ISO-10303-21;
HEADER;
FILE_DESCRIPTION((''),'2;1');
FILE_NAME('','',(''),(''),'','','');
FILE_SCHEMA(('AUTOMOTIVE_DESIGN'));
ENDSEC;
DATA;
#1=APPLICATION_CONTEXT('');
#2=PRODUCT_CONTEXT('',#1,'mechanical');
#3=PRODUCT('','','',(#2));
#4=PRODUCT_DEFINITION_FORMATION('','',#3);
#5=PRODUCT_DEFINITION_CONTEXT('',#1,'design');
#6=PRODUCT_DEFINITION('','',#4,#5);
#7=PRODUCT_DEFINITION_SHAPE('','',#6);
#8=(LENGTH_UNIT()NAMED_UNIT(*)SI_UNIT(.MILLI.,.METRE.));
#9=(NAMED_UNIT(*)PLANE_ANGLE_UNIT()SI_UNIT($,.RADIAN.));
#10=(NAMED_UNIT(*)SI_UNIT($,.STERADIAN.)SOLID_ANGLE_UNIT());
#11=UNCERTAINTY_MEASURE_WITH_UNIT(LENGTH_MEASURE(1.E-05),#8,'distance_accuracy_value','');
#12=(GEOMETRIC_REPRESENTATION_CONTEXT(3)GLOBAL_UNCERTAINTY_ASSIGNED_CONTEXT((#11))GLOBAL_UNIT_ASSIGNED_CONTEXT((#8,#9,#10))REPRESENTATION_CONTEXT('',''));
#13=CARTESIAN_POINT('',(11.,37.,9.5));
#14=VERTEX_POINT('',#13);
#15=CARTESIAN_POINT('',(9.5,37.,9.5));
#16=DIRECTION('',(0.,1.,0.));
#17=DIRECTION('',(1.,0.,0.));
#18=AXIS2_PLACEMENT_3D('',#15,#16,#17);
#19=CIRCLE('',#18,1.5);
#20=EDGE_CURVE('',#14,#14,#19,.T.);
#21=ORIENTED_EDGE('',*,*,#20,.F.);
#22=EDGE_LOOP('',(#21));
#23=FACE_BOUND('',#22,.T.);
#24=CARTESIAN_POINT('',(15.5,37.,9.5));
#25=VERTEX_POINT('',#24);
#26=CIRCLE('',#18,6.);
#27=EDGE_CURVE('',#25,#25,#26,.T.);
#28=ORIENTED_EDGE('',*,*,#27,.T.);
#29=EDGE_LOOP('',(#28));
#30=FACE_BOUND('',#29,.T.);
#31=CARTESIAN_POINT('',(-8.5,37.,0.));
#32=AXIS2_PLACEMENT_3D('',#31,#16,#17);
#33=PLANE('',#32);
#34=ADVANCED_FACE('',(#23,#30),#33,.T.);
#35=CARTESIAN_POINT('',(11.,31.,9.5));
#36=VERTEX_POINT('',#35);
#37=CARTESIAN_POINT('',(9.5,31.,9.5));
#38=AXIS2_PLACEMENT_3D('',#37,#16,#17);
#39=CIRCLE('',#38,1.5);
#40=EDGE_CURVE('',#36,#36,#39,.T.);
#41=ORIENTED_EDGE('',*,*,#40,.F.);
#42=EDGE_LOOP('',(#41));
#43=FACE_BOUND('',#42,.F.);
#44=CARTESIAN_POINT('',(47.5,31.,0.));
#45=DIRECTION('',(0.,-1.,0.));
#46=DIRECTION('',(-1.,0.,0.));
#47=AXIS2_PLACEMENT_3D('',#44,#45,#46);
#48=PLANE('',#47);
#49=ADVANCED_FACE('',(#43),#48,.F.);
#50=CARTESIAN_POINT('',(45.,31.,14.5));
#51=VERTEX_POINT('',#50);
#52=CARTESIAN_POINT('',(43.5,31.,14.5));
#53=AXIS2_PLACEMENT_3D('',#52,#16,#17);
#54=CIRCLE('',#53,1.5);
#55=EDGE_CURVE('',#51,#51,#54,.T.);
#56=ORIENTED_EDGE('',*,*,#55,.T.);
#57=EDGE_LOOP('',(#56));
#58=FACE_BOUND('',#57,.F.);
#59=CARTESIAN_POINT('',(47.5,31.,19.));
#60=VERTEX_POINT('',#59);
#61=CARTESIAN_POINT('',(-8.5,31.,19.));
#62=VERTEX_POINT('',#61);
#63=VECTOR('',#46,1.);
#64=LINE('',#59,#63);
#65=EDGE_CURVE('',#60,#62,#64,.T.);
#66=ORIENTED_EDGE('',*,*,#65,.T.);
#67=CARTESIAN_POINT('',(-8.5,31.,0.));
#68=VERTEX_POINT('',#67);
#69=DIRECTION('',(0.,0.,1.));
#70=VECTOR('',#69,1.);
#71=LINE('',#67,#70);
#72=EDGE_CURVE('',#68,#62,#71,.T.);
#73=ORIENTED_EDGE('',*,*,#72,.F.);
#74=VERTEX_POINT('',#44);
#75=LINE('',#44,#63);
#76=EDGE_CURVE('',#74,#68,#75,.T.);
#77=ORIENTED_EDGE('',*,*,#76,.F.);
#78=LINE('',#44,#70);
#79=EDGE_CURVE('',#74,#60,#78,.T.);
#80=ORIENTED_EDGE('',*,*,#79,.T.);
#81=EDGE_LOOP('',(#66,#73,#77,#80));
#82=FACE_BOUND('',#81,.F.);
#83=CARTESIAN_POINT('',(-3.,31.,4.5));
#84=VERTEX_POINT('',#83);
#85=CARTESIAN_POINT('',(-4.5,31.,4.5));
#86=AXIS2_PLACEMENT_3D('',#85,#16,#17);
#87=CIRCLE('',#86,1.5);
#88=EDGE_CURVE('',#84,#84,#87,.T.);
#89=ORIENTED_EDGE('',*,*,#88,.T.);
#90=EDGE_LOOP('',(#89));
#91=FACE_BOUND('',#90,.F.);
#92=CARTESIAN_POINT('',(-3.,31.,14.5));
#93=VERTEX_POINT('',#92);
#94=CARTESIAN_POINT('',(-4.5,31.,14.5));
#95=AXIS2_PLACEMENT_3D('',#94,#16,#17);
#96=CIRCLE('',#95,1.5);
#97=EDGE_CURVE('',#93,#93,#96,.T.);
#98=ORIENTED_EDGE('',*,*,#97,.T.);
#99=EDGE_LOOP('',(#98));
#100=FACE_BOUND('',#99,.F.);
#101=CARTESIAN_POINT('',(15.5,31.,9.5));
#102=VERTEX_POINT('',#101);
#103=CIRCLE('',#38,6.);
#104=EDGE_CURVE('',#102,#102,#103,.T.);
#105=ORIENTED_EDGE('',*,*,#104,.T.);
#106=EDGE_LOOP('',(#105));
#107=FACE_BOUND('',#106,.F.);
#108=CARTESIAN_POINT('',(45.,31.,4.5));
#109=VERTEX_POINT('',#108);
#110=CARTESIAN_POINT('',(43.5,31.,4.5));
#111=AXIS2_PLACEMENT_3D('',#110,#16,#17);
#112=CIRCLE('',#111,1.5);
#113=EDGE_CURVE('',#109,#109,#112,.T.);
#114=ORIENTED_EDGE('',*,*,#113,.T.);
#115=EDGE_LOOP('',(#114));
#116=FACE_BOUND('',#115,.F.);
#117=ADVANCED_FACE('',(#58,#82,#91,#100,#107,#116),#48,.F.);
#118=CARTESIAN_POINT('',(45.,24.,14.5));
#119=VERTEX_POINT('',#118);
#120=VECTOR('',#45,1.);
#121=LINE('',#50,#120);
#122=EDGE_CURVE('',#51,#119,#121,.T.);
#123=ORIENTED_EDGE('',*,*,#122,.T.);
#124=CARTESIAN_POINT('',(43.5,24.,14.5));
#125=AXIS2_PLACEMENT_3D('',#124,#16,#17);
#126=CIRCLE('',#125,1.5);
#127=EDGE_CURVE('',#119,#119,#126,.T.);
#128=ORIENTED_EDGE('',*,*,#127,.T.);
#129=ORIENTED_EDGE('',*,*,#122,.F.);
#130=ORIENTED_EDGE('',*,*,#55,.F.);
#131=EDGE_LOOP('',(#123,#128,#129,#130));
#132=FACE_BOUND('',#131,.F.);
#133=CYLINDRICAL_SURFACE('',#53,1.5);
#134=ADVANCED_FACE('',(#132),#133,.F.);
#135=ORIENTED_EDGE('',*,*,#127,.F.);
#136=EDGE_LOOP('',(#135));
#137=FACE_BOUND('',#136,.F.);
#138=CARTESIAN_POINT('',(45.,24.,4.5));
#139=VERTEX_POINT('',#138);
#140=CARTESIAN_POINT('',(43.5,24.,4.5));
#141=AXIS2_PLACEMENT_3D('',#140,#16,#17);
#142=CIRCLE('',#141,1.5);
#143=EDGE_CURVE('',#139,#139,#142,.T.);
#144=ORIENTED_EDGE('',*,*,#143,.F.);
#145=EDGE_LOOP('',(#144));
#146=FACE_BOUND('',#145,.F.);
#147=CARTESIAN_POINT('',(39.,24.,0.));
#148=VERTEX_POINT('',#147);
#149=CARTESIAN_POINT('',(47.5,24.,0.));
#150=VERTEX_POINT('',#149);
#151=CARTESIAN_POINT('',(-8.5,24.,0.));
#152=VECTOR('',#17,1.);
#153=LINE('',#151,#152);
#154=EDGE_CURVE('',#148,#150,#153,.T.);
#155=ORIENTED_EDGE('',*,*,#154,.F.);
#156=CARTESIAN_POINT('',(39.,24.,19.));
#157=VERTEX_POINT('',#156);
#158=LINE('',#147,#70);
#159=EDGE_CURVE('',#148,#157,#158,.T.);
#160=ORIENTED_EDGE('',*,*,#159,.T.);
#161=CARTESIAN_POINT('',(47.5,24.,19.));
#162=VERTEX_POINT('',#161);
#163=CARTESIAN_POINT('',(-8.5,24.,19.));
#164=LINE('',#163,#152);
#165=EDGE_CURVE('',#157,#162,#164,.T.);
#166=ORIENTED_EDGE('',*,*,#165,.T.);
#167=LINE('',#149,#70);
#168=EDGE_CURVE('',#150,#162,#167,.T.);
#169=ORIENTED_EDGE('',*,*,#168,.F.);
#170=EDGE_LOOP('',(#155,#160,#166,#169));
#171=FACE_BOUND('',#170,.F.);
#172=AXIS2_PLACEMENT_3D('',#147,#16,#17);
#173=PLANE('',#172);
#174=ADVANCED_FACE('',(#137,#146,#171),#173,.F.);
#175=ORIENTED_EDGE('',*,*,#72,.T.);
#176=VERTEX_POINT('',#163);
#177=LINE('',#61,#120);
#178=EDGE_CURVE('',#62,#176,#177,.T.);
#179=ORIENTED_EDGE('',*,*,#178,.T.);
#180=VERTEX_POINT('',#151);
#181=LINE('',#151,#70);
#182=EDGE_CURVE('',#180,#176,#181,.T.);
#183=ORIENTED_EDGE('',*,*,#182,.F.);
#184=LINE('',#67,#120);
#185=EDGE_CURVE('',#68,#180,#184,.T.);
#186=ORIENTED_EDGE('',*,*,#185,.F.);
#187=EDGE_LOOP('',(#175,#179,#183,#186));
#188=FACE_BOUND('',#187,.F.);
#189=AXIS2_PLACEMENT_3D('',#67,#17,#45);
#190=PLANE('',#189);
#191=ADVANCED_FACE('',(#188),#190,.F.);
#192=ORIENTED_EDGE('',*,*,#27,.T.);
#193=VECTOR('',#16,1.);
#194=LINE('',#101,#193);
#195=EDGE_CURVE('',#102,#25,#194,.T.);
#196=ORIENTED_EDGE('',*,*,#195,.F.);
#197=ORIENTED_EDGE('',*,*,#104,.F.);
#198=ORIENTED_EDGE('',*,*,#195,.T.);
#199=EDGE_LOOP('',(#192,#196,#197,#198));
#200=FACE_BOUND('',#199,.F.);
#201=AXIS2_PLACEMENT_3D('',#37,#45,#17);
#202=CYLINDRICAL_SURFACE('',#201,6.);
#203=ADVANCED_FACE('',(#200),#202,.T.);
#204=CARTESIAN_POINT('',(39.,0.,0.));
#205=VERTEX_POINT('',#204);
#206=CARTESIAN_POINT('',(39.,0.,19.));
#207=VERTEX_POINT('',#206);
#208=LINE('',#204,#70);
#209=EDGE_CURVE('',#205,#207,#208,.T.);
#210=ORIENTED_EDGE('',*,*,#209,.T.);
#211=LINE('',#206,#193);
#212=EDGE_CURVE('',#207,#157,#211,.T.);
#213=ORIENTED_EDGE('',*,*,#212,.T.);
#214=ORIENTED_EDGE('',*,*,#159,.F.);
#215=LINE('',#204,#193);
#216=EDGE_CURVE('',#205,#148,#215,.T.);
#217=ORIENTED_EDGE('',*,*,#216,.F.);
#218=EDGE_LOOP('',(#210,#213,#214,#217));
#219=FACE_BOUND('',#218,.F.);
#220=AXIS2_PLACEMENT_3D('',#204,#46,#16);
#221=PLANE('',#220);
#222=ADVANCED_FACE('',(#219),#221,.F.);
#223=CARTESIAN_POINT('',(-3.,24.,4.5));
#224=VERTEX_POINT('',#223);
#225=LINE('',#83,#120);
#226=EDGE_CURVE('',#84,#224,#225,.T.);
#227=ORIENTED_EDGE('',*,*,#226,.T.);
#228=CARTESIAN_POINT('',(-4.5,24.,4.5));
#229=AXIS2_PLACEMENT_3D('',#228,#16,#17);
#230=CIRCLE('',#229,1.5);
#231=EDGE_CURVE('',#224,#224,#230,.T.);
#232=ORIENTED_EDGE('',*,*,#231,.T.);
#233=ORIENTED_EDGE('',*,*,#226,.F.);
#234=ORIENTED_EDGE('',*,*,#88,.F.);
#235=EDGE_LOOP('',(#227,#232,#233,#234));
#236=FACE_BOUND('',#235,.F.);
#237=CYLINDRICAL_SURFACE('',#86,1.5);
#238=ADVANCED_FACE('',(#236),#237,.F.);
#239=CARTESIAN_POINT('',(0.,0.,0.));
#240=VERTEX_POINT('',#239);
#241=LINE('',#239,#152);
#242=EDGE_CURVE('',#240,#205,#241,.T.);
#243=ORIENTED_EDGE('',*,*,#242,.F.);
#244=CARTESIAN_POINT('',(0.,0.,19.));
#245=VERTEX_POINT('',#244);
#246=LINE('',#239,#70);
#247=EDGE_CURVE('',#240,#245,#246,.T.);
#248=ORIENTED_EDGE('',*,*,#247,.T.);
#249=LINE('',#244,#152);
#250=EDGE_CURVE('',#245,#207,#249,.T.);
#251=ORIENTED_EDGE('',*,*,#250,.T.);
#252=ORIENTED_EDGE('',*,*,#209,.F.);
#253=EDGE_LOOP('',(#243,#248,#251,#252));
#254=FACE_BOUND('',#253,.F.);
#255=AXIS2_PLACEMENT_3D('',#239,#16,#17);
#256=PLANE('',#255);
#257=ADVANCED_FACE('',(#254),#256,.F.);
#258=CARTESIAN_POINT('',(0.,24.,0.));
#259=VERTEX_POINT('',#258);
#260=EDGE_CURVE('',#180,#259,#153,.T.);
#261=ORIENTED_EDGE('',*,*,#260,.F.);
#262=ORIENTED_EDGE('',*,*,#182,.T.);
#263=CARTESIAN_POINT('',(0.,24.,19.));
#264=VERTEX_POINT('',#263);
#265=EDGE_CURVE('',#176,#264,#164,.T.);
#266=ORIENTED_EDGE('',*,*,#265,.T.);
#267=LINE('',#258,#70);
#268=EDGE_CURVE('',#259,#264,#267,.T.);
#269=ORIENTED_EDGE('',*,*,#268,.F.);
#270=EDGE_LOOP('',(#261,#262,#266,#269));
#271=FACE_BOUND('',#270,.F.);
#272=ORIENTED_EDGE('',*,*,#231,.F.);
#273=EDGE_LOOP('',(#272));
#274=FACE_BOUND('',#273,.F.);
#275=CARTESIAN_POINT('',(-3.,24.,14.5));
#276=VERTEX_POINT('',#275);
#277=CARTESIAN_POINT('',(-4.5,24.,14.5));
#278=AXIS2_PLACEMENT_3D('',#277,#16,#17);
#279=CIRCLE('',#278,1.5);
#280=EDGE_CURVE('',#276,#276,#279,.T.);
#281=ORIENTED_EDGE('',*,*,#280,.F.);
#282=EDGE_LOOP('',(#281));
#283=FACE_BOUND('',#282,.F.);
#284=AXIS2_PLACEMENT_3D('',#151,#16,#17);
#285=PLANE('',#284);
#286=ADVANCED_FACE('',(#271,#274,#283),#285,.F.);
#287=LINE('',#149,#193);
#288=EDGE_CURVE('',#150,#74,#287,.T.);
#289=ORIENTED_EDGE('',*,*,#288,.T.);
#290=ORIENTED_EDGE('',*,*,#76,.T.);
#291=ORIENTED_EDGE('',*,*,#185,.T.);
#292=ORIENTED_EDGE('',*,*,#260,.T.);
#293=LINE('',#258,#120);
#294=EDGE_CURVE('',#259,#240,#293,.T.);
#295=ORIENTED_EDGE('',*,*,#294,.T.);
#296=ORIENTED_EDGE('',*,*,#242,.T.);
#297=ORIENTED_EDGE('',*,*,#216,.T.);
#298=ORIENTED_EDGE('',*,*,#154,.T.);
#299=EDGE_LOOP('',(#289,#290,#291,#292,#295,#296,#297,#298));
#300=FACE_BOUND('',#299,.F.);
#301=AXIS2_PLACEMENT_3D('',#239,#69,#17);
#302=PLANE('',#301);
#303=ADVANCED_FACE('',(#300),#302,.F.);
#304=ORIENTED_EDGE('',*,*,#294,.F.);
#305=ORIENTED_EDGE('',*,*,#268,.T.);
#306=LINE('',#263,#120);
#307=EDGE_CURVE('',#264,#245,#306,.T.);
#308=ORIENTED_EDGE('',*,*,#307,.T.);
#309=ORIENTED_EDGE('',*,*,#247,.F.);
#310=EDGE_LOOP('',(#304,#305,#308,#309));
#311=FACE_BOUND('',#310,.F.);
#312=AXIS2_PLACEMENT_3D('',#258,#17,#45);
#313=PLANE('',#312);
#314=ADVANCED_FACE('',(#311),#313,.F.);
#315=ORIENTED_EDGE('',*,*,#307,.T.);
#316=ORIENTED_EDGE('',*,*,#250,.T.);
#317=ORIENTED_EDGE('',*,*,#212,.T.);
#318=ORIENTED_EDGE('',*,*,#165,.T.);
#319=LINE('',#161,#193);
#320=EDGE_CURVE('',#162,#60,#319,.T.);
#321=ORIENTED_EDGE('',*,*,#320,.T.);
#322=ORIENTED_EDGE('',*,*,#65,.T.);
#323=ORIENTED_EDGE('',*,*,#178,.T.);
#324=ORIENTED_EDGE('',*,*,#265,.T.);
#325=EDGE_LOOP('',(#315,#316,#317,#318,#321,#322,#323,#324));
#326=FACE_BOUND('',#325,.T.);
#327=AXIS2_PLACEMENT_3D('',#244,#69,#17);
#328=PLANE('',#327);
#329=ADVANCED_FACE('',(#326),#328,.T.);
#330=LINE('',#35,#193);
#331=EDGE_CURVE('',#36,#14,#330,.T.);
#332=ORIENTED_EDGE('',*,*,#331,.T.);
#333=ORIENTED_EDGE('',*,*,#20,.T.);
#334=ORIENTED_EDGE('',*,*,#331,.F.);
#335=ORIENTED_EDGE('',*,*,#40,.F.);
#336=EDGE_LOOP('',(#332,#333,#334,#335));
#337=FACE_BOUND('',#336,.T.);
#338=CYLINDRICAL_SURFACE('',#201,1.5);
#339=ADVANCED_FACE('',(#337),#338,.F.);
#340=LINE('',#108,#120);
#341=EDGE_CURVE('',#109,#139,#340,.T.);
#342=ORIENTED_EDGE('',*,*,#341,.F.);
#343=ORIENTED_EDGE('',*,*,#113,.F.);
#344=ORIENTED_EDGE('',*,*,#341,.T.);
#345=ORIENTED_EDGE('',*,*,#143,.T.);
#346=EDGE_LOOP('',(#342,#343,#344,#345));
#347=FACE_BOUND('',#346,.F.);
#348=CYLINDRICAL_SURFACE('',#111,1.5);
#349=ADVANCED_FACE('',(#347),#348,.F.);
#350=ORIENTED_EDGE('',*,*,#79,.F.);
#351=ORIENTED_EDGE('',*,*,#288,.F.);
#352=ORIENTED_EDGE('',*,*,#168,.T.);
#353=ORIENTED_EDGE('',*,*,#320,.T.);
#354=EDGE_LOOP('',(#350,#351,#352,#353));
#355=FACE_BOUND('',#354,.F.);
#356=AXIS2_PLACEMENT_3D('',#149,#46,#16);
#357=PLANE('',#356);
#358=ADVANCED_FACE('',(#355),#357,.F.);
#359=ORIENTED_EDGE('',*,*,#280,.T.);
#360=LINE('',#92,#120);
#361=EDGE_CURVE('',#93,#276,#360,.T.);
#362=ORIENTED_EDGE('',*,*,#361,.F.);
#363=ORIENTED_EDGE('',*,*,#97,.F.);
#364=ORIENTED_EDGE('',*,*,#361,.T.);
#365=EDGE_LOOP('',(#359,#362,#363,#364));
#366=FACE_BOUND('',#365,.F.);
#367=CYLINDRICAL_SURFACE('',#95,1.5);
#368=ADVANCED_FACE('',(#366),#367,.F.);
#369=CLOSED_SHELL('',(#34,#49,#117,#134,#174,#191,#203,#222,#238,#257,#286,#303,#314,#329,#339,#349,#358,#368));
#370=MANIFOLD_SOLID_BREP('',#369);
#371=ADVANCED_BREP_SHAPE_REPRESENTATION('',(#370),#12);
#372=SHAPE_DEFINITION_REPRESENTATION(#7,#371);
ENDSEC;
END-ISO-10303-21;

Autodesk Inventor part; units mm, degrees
ref_plane "YZ Plane" through (0, 0, 0) normal (1, 0, 0) x (0, 1, 0)
ref_plane "XZ Plane" through (0, 0, 0) normal (0, 1, 0) x (-1, 0, 0)
ref_plane "XY Plane" through (0, 0, 0) normal (0, 0, 1) x (1, 0, 0)
sketch "Sketch1" plane through (0, 0, 0) normal (0, 0, 1) x (1, 0, 0)
  line L0 (0, 0) -> (39, 0)
  line L1 (39, 0) -> (39, 24)
  line L2 (39, 24) -> (0, 24)
  line L3 (0, 24) -> (0, 0)
  line L4 (-8.5, 24) -> (47.5, 24)
  line L5 (47.5, 24) -> (47.5, 31)
  line L6 (47.5, 31) -> (-8.5, 31)
  line L7 (-8.5, 31) -> (-8.5, 24)
  point P0 (19.5, 24)
  dimension "d0" = 39
  dimension "d1" = 24
  dimension "d2" = 56
  dimension "d3" = 7
extrude "Extrusion1" add sketch "Sketch1" along normal blind 19
sketch "Sketch2" plane through (-8.5, 31, 0) normal (0, 1, 0) x (1, 0, 0)
  circle A0 centre (18, -9.5) radius 6
  line L0 (0, 0) -> (0, -19) projected
  circle A1 centre (18, -9.5) radius 1.5
  point P0 (8.5, 0)
  point P1 (0, -9.5)
  dimension "d6" = 12
  dimension "d7" = 18
  dimension "d8" = 3
extrude "Extrusion2" add sketch "Sketch2" along normal blind 6
sketch "Sketch3" plane through (-8.5, 31, 0) normal (0, 1, 0) x (1, 0, 0)
  line L0 (4, -4.5) -> (52, -4.5) construction
  line L1 (52, -4.5) -> (52, -14.5) construction
  line L2 (52, -14.5) -> (4, -14.5) construction
  line L3 (4, -14.5) -> (4, -4.5) construction
  circle A0 centre (4, -4.5) radius 1.5
  circle A1 centre (4, -14.5) radius 1.5
  circle A2 centre (52, -14.5) radius 1.5
  circle A3 centre (52, -4.5) radius 1.5
  line L4 (0, 0) -> (0, -19) projected
  line L5 (56, 0) -> (56, -19) projected
  point P0 (8.5, 0)
  dimension "d11" = 3
  dimension "d12" = 3
  dimension "d13" = 3
  dimension "d14" = 3
  dimension "d15" = 4
  dimension "d16" = 4
  dimension "d17" = 4.5
  dimension "d18" = 4.5
extrude "Extrusion3" cut sketch "Sketch3" against normal blind 10
properties part number "servo"
